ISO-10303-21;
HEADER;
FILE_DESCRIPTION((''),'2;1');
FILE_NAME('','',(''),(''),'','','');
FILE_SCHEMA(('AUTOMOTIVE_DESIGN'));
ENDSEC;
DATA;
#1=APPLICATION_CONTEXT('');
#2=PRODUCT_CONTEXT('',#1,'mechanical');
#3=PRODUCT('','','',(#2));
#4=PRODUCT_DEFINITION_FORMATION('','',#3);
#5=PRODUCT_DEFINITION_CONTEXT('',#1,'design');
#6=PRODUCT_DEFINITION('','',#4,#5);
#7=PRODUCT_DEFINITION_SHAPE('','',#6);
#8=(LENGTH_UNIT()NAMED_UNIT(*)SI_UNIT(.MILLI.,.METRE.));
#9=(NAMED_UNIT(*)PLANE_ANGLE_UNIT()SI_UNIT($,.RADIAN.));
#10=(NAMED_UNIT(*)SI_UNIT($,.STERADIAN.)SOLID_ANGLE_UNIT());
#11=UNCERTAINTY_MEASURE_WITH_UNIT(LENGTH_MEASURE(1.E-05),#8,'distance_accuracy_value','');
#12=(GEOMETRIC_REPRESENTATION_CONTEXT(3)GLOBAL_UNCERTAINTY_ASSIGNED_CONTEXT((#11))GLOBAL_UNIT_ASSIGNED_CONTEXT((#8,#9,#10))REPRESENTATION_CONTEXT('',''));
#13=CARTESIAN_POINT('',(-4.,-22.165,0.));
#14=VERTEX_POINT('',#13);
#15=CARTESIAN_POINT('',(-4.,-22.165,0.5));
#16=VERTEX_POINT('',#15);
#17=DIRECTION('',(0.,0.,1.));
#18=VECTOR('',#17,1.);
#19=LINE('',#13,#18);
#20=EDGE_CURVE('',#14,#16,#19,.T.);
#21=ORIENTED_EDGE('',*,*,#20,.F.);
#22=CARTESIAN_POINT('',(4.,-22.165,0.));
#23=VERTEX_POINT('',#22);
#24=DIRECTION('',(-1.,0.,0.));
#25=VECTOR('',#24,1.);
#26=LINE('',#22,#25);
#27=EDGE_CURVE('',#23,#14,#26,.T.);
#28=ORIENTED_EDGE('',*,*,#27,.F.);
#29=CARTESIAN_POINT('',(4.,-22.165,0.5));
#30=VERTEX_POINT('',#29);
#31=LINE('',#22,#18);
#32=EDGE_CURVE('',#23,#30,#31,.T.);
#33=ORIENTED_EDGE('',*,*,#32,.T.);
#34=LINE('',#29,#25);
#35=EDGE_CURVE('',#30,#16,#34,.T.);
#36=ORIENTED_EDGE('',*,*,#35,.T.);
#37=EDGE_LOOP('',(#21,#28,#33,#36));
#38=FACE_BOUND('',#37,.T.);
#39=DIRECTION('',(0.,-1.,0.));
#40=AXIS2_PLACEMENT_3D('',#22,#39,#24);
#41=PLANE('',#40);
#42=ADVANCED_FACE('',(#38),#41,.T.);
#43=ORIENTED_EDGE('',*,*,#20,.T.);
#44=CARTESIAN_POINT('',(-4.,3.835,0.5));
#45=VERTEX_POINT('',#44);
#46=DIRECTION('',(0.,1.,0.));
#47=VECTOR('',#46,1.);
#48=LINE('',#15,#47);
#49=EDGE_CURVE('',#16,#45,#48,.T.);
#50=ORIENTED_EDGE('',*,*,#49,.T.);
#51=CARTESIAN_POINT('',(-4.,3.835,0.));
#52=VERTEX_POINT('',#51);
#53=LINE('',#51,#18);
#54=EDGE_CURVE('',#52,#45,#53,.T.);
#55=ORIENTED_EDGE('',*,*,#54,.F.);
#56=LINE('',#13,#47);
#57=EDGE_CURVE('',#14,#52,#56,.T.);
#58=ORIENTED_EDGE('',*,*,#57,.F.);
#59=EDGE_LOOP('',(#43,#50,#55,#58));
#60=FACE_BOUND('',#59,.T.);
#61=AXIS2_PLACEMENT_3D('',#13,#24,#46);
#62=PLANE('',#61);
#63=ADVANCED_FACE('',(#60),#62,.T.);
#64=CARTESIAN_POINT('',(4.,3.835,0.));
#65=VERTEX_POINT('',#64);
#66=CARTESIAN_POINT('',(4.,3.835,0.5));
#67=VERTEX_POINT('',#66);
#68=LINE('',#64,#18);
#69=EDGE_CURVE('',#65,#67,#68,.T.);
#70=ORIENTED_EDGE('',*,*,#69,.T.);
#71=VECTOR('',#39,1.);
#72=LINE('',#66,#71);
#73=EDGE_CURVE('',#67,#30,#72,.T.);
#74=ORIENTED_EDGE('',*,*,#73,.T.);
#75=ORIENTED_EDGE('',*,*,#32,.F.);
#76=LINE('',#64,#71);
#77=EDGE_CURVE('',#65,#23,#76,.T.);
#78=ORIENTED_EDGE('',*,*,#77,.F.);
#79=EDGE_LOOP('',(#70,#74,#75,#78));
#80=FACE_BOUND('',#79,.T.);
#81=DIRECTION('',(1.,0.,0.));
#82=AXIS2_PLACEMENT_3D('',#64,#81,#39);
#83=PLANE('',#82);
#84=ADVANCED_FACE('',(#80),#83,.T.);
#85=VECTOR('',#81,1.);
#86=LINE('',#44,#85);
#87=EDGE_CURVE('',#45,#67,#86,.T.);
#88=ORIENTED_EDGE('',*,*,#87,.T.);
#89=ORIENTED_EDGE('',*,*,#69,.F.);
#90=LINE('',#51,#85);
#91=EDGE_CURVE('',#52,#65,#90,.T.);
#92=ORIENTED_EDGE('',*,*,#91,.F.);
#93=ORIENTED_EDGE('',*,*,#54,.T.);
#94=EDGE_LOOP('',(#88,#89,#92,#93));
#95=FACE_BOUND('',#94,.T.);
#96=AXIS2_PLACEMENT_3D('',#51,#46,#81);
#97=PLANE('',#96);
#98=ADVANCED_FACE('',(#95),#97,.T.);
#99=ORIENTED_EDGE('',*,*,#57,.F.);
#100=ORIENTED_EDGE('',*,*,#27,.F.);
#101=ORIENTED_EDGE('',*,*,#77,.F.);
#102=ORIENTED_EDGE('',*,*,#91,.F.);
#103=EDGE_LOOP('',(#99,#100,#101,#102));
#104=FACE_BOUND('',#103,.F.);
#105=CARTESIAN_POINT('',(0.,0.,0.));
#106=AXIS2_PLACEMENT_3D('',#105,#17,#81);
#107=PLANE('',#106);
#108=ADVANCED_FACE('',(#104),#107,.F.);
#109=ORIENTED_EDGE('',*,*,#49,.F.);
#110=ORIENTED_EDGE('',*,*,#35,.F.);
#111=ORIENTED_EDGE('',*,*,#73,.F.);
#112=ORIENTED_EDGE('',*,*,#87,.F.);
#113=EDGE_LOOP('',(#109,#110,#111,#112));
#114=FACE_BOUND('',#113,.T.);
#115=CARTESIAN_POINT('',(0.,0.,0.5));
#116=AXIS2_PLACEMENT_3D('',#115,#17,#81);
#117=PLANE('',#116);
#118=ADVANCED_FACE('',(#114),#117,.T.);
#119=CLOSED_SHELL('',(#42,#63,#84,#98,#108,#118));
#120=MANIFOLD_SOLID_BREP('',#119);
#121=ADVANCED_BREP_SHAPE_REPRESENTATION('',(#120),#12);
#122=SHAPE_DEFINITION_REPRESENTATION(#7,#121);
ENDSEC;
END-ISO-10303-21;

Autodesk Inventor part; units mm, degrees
ref_plane "YZ Plane" through (0, 0, 0) normal (1, 0, 0) x (0, 1, 0)
ref_plane "XZ Plane" through (0, 0, 0) normal (0, 1, 0) x (-1, 0, 0)
ref_plane "XY Plane" through (0, 0, 0) normal (0, 0, 1) x (1, 0, 0)
sketch "Sketch1" plane through (0, 0, 0) normal (0, 0, 1) x (1, 0, 0)
  line L0 (-4, 3.835) -> (4, 3.835)
  line L1 (4, 3.835) -> (4, -22.165)
  line L2 (4, -22.165) -> (-4, -22.165)
  line L3 (-4, -22.165) -> (-4, 3.835)
  line L4 (-4, 3.835) -> (4, -22.165) construction
  line L5 (4, 3.835) -> (-4, -22.165) construction
  line L6 (-10.0664, -9.165) -> (174.6446, -9.165) construction
  line L7 (133.7834, -18.33) -> (159.5417, -18.33) construction
  line L8 (133.7834, 0) -> (159.5417, 0) construction
  line L9 (0, -12.831) -> (0, 12.8312) construction
  line L10 (0, -31.161) -> (0, -5.4988) construction
  point P0 (0, 0)
  point P1 (0, -9.165)
  dimension "d0" = 18.33
  dimension "d1" = 9.165
  dimension "d2" = 26
  dimension "d3" = 8
extrude "Extrusion1" add sketch "Sketch1" along normal blind 0.5
equation "\"d1\" = 0.5 * d0"
properties part number "Nickel Strip"
